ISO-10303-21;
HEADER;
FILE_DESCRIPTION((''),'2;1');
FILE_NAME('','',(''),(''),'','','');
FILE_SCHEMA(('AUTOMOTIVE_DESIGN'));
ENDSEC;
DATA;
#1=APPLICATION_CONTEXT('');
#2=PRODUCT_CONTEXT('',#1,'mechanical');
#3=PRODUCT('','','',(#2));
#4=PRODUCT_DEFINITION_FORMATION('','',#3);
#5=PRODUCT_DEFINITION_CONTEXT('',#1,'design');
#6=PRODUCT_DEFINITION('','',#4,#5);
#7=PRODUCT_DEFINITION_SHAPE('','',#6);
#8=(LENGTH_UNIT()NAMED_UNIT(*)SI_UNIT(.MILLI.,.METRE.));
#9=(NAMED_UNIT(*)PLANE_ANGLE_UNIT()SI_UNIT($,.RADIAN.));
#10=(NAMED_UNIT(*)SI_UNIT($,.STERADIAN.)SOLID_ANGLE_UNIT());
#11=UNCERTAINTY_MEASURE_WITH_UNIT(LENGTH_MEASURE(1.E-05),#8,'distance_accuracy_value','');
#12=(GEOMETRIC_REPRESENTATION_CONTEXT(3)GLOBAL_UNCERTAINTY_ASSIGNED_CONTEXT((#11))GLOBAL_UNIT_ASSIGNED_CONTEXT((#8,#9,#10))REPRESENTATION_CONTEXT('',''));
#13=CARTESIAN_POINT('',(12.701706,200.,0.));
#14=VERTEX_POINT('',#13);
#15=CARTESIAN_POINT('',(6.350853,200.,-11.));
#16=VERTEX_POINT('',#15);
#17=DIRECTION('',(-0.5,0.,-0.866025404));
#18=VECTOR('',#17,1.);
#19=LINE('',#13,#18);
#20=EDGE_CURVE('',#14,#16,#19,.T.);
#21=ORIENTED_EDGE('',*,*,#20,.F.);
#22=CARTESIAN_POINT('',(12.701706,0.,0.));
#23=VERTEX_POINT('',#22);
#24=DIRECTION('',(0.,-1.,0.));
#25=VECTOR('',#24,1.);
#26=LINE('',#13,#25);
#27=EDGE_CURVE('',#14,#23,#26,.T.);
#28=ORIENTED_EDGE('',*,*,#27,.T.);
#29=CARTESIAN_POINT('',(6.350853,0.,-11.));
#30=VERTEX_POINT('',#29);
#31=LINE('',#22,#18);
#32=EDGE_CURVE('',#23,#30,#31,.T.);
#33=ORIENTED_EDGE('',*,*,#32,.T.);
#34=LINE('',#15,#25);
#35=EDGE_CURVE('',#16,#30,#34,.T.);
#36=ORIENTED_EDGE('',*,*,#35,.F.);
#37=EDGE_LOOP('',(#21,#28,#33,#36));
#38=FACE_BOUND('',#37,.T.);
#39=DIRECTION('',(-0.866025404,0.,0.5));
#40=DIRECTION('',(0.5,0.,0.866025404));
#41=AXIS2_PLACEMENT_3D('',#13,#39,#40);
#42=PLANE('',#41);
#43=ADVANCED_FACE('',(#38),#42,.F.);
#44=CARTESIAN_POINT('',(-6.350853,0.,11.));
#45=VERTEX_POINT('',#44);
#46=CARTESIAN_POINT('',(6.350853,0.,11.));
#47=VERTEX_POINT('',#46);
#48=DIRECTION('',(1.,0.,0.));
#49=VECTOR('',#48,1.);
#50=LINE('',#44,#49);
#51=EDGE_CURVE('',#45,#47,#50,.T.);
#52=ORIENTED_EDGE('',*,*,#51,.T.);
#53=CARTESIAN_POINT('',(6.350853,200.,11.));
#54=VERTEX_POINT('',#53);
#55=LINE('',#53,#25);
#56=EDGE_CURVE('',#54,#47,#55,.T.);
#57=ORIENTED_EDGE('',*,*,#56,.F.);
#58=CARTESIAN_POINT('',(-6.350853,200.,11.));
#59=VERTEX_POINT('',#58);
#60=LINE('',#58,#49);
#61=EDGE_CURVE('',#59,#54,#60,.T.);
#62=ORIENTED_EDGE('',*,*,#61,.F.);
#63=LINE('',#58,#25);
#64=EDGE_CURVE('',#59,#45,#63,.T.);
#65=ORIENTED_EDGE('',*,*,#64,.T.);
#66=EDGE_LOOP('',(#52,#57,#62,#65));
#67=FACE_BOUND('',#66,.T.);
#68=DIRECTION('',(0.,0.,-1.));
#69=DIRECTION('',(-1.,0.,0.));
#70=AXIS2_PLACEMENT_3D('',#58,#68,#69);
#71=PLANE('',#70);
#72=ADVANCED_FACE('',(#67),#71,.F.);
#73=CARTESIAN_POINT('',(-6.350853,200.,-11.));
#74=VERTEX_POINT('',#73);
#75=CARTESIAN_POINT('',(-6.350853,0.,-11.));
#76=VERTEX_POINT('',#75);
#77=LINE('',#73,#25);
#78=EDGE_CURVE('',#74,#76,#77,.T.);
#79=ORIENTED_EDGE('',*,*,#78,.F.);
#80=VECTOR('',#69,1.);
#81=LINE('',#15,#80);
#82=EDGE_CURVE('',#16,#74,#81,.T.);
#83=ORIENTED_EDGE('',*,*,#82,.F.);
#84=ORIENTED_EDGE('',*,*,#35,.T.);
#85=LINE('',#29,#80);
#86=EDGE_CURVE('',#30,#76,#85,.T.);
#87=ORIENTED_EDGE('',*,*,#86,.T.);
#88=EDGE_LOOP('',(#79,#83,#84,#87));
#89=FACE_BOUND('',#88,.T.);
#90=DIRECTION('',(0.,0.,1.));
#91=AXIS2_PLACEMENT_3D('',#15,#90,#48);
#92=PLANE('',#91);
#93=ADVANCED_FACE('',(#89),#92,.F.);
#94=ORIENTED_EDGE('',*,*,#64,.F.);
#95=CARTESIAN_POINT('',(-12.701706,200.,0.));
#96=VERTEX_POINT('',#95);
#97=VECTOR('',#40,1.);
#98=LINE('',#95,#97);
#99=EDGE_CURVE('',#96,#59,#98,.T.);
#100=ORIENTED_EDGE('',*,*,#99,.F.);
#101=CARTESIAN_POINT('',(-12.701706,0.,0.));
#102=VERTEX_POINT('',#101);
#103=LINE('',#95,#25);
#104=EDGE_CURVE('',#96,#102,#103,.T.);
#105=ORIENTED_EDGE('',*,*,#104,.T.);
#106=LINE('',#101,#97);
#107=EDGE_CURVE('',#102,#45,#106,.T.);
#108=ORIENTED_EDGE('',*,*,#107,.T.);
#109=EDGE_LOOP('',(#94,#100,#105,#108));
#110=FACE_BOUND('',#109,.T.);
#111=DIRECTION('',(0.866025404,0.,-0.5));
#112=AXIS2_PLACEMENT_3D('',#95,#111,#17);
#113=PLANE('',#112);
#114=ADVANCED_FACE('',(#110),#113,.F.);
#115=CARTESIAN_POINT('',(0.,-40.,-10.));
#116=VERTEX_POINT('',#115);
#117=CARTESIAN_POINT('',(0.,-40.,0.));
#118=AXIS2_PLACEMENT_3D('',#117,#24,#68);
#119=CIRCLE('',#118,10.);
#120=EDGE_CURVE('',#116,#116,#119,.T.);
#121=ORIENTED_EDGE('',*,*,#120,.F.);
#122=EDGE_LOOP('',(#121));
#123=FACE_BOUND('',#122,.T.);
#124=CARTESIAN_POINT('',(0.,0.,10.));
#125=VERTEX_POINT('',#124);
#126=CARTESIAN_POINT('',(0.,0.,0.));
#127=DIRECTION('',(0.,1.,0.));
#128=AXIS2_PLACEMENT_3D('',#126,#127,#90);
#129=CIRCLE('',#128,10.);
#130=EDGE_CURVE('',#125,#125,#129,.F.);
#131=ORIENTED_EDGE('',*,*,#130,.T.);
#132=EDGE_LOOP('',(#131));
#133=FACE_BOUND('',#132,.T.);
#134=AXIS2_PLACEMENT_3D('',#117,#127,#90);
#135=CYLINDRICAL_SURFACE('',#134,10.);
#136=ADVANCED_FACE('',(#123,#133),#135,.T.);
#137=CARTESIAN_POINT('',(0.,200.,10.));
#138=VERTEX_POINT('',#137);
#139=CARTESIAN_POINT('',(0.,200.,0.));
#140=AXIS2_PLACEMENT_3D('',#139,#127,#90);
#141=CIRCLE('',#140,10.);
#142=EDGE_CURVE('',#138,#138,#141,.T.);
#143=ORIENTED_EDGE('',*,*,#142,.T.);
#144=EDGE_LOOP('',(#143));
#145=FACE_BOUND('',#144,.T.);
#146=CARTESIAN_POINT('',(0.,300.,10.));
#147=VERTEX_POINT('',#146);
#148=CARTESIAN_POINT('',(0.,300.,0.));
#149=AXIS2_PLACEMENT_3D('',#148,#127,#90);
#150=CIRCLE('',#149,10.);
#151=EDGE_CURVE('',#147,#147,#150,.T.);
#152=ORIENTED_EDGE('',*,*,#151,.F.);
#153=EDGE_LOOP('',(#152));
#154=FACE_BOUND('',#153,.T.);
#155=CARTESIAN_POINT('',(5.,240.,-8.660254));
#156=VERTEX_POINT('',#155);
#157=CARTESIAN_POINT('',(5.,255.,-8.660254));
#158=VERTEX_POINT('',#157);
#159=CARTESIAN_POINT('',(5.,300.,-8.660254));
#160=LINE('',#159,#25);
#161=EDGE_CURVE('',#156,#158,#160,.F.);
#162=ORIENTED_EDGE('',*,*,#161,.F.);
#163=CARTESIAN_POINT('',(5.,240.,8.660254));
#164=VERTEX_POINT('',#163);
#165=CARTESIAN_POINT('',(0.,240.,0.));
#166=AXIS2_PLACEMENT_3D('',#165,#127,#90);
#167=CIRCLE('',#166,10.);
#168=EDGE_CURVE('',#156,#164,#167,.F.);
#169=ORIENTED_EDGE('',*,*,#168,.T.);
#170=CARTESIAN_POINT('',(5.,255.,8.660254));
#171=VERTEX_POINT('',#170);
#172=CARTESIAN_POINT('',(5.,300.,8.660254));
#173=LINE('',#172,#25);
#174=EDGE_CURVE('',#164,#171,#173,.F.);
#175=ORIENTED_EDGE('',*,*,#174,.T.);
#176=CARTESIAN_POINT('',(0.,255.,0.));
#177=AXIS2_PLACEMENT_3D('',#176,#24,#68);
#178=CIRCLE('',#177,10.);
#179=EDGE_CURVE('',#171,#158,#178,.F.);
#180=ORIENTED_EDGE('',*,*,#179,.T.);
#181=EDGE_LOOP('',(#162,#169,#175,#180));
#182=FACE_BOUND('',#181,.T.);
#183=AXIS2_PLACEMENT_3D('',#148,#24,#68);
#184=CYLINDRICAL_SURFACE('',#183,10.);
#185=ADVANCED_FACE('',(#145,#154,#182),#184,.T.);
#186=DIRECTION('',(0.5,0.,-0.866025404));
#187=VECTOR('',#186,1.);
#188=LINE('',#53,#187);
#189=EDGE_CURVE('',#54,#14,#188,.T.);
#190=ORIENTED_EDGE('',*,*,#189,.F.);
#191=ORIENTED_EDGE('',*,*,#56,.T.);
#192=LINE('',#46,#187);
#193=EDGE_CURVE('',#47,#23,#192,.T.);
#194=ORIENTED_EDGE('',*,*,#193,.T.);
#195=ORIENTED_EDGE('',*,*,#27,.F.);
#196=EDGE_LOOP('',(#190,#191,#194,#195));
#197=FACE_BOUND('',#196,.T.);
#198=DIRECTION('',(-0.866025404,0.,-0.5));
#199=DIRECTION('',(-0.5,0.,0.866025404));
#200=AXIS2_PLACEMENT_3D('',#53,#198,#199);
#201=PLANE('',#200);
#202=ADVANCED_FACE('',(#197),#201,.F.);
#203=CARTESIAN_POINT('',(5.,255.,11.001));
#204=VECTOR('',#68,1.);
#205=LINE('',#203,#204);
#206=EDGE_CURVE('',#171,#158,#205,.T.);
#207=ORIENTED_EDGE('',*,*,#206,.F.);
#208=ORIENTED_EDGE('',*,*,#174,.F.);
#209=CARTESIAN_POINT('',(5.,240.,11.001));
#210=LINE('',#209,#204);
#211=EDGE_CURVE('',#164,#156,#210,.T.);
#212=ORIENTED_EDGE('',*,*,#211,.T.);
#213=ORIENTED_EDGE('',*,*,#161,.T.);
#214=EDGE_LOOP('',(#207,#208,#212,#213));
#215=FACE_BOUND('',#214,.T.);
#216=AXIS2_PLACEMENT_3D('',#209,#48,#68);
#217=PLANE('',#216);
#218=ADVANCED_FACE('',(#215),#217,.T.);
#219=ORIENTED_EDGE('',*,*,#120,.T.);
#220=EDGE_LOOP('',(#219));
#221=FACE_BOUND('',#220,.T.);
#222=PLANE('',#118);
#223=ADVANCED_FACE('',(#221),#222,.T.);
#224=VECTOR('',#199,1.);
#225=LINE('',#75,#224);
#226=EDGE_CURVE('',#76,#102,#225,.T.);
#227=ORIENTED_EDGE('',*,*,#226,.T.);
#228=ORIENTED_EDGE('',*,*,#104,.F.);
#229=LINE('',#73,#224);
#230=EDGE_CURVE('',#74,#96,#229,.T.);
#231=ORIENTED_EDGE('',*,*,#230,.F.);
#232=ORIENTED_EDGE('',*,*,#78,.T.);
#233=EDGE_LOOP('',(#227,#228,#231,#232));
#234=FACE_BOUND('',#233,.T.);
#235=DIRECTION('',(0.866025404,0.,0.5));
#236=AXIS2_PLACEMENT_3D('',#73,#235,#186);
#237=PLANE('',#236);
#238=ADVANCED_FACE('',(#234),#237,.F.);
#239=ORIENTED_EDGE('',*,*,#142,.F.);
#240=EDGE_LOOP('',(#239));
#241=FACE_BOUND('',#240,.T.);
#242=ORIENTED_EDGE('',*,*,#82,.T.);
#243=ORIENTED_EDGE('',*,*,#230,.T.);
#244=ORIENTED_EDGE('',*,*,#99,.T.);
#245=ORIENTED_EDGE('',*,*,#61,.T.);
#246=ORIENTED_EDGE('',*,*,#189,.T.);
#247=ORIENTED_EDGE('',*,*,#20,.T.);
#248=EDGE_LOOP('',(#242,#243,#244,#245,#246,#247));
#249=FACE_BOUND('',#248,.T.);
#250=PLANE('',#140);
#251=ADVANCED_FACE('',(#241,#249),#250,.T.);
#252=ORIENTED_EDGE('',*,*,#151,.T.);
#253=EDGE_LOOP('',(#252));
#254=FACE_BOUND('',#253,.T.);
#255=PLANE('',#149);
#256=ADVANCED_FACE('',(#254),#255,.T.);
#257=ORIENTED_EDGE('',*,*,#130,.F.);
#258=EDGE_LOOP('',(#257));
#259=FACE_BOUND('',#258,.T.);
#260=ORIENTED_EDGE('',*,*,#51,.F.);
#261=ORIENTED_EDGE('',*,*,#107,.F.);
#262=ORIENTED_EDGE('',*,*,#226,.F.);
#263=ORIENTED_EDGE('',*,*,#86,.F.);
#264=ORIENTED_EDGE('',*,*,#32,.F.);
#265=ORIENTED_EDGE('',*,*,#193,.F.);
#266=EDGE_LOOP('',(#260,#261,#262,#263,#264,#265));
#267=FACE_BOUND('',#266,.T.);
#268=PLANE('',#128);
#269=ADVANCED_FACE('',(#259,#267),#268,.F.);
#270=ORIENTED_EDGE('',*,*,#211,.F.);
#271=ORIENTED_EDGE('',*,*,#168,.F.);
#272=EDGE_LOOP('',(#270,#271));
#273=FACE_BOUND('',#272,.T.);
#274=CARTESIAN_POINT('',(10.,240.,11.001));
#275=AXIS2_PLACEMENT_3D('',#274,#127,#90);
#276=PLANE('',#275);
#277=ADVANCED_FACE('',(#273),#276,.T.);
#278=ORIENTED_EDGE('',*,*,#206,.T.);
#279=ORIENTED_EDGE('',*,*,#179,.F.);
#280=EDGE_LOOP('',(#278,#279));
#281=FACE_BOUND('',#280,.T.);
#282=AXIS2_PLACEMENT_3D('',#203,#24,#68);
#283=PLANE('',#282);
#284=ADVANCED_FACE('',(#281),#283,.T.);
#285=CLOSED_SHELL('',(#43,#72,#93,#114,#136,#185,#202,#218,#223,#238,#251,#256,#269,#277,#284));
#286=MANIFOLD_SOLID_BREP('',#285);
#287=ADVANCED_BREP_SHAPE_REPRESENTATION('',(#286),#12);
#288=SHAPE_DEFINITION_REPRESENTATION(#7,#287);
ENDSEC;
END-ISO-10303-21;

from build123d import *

# Parameters (mm, degrees)
BOSS_EXTRUDE1_DEPTH                 = 200
SKETCH4_R                           = 10
BOSS_EXTRUDE4_DEPTH                 = 40
BOSS_EXTRUDE5_START                 = 100
SKETCH5_R                           = 10
BOSS_EXTRUDE5_DEPTH                 = 100
CUT_EXTRUDE1_REACH                  = 302.47
CUT_EXTRUDE1_END_RADIUS             = 10
SKETCH6_W                           = 5
SKETCH6_H                           = 15
CUT_EXTRUDE1_DIRECTION_2_REACH      = 302.47
CUT_EXTRUDE1_DIRECTION_2_END_RADIUS = 10


with BuildPart() as part:
    # Sketch1 → Boss-Extrude1 (new body)
    with BuildSketch(Plane(origin=(0, 0, 0), x_dir=(1, 0, 0), z_dir=(0, 1, 0))):
        Polygon((12.701705922, 0), (6.350852961, 11), (-6.350852961, 11), (-12.701705922, 0), (-6.350852961, -11), (6.350852961, -11), align=None)
    extrude(amount=BOSS_EXTRUDE1_DEPTH)

    # Sketch4 → Boss-Extrude4 (add)
    with BuildSketch(Plane.XZ):
        with Locations(Location((0, 0, 0), (0, 0, 90))):
            Circle(SKETCH4_R)
    extrude(amount=BOSS_EXTRUDE4_DEPTH)

    # Sketch5 → Boss-Extrude5 (add)
    with BuildSketch(Plane(origin=(0, 200, 0), x_dir=(1, 0, 0), z_dir=(0, 1, 0)).offset(BOSS_EXTRUDE5_START)):
        with Locations(Location((0, 0, 0), (0, 0, 270))):
            Circle(SKETCH5_R)
    extrude(amount=-BOSS_EXTRUDE5_DEPTH)

    # Cut-Extrude1: up to this cylinder (the profile starts inside it)
    cut_extrude1_end = Plane(origin=(0, 247.5, 0), z_dir=(0, -1, 0)) * Cylinder(CUT_EXTRUDE1_END_RADIUS, 625.94, mode=Mode.PRIVATE)
    # Sketch6 → Cut-Extrude1 (cut, up to the surface)
    with BuildSketch(Plane.XY, mode=Mode.PRIVATE) as cut_extrude1_sk1:
        with Locations((7.5, 247.5)):
            Rectangle(SKETCH6_W, SKETCH6_H)
    cut_extrude1_tool1 = extrude(cut_extrude1_sk1.sketch, amount=-CUT_EXTRUDE1_REACH, mode=Mode.PRIVATE) & cut_extrude1_end
    add(cut_extrude1_tool1.solids().sort_by_distance((7.5, 247.5, 0))[0], mode=Mode.SUBTRACT)

    # Cut-Extrude1 direction 2: up to this cylinder (the profile starts inside it)
    cut_extrude1_direction_2_end = Plane(origin=(0, 247.5, 0), z_dir=(0, -1, 0)) * Cylinder(CUT_EXTRUDE1_DIRECTION_2_END_RADIUS, 625.94, mode=Mode.PRIVATE)
    # Sketch6 → Cut-Extrude1 direction 2 (cut, up to the surface)
    with BuildSketch(Plane.XY, mode=Mode.PRIVATE) as cut_extrude1_direction_2_sk1:
        with Locations((7.5, 247.5)):
            Rectangle(SKETCH6_W, SKETCH6_H)
    cut_extrude1_direction_2_tool1 = extrude(cut_extrude1_direction_2_sk1.sketch, amount=CUT_EXTRUDE1_DIRECTION_2_REACH, mode=Mode.PRIVATE) & cut_extrude1_direction_2_end
    add(cut_extrude1_direction_2_tool1.solids().sort_by_distance((7.5, 247.5, 0))[0], mode=Mode.SUBTRACT)


solid = part.part
